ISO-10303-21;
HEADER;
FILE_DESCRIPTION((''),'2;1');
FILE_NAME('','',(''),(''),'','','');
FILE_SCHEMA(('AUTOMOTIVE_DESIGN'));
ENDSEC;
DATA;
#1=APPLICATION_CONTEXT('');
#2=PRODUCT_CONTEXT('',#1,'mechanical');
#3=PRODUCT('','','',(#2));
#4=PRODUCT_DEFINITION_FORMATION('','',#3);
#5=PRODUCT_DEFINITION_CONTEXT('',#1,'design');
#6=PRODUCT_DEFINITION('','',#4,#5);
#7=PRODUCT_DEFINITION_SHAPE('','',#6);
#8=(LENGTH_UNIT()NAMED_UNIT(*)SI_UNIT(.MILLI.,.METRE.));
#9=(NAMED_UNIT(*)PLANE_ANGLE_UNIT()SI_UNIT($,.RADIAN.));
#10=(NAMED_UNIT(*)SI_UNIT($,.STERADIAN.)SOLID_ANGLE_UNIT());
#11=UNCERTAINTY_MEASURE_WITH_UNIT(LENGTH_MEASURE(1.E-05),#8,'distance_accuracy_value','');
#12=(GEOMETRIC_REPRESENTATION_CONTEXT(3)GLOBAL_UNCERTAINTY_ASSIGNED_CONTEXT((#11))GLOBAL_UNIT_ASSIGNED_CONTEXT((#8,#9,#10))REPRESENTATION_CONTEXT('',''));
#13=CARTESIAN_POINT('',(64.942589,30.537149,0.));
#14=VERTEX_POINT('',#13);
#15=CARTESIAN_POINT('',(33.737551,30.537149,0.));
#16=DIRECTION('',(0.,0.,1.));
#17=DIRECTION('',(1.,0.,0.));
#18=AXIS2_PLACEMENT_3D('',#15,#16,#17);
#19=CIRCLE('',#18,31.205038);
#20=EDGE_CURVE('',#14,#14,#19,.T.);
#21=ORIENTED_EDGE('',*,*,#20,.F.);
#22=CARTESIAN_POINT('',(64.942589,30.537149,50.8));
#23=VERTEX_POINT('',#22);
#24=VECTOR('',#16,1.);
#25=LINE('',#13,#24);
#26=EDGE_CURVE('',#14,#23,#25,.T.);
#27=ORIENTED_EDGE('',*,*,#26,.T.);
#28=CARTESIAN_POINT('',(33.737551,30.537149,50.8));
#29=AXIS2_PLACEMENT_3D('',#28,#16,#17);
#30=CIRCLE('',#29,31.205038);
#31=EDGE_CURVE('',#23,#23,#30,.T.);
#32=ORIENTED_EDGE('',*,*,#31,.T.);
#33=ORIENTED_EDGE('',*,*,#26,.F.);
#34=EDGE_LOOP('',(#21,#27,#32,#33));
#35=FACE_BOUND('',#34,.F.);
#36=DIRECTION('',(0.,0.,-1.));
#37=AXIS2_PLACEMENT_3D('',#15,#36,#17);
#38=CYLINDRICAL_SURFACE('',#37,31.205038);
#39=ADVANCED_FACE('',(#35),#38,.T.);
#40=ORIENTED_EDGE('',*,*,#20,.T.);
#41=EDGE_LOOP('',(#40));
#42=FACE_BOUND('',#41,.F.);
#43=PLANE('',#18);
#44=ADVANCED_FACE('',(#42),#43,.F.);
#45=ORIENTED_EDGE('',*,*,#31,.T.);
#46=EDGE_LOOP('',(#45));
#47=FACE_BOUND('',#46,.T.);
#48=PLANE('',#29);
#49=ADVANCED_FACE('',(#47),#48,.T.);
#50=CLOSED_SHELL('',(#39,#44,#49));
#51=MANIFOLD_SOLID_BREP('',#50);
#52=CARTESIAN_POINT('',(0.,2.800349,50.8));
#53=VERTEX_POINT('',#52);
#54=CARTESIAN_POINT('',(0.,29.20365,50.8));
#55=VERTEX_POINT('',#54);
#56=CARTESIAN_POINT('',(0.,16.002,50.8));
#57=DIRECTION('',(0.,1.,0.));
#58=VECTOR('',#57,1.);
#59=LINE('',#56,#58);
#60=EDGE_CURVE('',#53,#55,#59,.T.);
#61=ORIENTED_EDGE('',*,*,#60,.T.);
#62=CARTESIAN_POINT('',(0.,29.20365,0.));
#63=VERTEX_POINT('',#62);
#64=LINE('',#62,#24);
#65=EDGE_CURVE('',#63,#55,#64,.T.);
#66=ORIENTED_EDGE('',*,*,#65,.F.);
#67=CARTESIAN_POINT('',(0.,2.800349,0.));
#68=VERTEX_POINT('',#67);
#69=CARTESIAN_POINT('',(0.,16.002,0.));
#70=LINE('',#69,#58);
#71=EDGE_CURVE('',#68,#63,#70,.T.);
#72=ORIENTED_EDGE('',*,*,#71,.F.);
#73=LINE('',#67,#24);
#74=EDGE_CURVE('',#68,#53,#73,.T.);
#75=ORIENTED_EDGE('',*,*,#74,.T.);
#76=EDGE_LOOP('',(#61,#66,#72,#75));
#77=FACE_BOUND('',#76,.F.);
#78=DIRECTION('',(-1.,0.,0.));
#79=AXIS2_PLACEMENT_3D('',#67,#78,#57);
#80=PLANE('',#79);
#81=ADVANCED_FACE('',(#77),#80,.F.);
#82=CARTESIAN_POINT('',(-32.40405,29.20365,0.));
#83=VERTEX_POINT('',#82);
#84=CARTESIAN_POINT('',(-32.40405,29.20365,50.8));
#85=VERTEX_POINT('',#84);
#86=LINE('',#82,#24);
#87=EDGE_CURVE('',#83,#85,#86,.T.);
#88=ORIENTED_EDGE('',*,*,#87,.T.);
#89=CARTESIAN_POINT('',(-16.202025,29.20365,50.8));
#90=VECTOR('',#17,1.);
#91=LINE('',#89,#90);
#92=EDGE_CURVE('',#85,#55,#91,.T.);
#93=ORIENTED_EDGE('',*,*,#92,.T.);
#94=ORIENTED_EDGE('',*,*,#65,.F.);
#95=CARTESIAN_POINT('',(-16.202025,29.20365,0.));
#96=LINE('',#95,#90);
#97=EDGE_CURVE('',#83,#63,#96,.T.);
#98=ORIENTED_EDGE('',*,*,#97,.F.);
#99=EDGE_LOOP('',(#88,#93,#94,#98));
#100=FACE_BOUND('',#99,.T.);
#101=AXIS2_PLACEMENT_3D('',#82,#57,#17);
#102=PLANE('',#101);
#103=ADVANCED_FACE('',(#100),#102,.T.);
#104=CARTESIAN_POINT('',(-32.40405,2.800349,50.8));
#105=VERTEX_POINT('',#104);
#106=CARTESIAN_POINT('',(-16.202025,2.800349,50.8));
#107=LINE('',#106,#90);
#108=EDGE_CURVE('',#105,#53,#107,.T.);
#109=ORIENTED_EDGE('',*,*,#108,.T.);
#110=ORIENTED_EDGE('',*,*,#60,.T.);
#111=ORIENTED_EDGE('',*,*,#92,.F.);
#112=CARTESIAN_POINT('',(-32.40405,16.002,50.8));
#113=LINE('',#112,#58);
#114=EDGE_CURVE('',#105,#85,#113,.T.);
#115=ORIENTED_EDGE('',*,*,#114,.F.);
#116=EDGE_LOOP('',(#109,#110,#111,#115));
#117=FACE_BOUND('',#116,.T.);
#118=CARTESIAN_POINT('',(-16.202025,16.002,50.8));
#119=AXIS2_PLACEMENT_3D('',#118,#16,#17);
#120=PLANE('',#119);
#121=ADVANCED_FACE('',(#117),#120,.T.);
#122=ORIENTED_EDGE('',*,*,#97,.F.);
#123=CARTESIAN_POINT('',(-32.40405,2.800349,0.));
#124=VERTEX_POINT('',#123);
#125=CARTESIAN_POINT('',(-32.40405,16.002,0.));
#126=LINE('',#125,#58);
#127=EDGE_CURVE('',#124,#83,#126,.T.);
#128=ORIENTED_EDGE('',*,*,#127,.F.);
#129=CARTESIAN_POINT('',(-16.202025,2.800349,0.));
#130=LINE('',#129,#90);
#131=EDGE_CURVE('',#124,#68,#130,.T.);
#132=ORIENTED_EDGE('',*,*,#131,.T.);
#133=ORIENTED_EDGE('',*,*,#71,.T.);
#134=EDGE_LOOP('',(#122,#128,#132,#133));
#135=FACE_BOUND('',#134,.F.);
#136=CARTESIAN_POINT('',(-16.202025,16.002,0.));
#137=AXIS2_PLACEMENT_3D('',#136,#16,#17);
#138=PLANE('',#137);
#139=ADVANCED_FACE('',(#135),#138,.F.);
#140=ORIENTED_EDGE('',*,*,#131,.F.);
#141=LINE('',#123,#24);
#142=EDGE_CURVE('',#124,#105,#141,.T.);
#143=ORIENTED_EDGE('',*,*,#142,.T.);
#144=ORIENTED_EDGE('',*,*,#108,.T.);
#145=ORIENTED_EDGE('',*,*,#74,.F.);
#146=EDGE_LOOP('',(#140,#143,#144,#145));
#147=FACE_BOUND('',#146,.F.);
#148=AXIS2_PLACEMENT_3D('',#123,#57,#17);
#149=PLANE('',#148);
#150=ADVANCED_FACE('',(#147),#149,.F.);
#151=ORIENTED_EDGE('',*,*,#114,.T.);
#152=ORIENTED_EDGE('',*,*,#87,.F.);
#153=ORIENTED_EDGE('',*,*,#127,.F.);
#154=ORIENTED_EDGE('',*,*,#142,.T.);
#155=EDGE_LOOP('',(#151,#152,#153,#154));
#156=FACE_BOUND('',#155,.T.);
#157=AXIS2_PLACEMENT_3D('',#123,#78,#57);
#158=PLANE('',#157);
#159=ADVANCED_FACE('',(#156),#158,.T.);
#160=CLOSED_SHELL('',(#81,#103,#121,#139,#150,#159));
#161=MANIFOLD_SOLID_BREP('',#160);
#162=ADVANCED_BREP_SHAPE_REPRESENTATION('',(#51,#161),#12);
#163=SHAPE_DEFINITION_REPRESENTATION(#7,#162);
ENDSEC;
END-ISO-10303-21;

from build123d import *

# Parameters (mm, degrees)
F0_W     = 32.40405
F0_H     = 26.403301
F0_R     = 31.205038
F1_DEPTH = 50.8


with BuildPart() as f1:
    # F0 (on Top) → F1 (new body)
    with BuildSketch(Plane.XY):
        with Locations((-16.202025, 16.002)):
            Rectangle(F0_W, F0_H)
        with Locations((33.737551, 30.537149)):
            Circle(F0_R)
    extrude(amount=F1_DEPTH)


solid = f1.part
